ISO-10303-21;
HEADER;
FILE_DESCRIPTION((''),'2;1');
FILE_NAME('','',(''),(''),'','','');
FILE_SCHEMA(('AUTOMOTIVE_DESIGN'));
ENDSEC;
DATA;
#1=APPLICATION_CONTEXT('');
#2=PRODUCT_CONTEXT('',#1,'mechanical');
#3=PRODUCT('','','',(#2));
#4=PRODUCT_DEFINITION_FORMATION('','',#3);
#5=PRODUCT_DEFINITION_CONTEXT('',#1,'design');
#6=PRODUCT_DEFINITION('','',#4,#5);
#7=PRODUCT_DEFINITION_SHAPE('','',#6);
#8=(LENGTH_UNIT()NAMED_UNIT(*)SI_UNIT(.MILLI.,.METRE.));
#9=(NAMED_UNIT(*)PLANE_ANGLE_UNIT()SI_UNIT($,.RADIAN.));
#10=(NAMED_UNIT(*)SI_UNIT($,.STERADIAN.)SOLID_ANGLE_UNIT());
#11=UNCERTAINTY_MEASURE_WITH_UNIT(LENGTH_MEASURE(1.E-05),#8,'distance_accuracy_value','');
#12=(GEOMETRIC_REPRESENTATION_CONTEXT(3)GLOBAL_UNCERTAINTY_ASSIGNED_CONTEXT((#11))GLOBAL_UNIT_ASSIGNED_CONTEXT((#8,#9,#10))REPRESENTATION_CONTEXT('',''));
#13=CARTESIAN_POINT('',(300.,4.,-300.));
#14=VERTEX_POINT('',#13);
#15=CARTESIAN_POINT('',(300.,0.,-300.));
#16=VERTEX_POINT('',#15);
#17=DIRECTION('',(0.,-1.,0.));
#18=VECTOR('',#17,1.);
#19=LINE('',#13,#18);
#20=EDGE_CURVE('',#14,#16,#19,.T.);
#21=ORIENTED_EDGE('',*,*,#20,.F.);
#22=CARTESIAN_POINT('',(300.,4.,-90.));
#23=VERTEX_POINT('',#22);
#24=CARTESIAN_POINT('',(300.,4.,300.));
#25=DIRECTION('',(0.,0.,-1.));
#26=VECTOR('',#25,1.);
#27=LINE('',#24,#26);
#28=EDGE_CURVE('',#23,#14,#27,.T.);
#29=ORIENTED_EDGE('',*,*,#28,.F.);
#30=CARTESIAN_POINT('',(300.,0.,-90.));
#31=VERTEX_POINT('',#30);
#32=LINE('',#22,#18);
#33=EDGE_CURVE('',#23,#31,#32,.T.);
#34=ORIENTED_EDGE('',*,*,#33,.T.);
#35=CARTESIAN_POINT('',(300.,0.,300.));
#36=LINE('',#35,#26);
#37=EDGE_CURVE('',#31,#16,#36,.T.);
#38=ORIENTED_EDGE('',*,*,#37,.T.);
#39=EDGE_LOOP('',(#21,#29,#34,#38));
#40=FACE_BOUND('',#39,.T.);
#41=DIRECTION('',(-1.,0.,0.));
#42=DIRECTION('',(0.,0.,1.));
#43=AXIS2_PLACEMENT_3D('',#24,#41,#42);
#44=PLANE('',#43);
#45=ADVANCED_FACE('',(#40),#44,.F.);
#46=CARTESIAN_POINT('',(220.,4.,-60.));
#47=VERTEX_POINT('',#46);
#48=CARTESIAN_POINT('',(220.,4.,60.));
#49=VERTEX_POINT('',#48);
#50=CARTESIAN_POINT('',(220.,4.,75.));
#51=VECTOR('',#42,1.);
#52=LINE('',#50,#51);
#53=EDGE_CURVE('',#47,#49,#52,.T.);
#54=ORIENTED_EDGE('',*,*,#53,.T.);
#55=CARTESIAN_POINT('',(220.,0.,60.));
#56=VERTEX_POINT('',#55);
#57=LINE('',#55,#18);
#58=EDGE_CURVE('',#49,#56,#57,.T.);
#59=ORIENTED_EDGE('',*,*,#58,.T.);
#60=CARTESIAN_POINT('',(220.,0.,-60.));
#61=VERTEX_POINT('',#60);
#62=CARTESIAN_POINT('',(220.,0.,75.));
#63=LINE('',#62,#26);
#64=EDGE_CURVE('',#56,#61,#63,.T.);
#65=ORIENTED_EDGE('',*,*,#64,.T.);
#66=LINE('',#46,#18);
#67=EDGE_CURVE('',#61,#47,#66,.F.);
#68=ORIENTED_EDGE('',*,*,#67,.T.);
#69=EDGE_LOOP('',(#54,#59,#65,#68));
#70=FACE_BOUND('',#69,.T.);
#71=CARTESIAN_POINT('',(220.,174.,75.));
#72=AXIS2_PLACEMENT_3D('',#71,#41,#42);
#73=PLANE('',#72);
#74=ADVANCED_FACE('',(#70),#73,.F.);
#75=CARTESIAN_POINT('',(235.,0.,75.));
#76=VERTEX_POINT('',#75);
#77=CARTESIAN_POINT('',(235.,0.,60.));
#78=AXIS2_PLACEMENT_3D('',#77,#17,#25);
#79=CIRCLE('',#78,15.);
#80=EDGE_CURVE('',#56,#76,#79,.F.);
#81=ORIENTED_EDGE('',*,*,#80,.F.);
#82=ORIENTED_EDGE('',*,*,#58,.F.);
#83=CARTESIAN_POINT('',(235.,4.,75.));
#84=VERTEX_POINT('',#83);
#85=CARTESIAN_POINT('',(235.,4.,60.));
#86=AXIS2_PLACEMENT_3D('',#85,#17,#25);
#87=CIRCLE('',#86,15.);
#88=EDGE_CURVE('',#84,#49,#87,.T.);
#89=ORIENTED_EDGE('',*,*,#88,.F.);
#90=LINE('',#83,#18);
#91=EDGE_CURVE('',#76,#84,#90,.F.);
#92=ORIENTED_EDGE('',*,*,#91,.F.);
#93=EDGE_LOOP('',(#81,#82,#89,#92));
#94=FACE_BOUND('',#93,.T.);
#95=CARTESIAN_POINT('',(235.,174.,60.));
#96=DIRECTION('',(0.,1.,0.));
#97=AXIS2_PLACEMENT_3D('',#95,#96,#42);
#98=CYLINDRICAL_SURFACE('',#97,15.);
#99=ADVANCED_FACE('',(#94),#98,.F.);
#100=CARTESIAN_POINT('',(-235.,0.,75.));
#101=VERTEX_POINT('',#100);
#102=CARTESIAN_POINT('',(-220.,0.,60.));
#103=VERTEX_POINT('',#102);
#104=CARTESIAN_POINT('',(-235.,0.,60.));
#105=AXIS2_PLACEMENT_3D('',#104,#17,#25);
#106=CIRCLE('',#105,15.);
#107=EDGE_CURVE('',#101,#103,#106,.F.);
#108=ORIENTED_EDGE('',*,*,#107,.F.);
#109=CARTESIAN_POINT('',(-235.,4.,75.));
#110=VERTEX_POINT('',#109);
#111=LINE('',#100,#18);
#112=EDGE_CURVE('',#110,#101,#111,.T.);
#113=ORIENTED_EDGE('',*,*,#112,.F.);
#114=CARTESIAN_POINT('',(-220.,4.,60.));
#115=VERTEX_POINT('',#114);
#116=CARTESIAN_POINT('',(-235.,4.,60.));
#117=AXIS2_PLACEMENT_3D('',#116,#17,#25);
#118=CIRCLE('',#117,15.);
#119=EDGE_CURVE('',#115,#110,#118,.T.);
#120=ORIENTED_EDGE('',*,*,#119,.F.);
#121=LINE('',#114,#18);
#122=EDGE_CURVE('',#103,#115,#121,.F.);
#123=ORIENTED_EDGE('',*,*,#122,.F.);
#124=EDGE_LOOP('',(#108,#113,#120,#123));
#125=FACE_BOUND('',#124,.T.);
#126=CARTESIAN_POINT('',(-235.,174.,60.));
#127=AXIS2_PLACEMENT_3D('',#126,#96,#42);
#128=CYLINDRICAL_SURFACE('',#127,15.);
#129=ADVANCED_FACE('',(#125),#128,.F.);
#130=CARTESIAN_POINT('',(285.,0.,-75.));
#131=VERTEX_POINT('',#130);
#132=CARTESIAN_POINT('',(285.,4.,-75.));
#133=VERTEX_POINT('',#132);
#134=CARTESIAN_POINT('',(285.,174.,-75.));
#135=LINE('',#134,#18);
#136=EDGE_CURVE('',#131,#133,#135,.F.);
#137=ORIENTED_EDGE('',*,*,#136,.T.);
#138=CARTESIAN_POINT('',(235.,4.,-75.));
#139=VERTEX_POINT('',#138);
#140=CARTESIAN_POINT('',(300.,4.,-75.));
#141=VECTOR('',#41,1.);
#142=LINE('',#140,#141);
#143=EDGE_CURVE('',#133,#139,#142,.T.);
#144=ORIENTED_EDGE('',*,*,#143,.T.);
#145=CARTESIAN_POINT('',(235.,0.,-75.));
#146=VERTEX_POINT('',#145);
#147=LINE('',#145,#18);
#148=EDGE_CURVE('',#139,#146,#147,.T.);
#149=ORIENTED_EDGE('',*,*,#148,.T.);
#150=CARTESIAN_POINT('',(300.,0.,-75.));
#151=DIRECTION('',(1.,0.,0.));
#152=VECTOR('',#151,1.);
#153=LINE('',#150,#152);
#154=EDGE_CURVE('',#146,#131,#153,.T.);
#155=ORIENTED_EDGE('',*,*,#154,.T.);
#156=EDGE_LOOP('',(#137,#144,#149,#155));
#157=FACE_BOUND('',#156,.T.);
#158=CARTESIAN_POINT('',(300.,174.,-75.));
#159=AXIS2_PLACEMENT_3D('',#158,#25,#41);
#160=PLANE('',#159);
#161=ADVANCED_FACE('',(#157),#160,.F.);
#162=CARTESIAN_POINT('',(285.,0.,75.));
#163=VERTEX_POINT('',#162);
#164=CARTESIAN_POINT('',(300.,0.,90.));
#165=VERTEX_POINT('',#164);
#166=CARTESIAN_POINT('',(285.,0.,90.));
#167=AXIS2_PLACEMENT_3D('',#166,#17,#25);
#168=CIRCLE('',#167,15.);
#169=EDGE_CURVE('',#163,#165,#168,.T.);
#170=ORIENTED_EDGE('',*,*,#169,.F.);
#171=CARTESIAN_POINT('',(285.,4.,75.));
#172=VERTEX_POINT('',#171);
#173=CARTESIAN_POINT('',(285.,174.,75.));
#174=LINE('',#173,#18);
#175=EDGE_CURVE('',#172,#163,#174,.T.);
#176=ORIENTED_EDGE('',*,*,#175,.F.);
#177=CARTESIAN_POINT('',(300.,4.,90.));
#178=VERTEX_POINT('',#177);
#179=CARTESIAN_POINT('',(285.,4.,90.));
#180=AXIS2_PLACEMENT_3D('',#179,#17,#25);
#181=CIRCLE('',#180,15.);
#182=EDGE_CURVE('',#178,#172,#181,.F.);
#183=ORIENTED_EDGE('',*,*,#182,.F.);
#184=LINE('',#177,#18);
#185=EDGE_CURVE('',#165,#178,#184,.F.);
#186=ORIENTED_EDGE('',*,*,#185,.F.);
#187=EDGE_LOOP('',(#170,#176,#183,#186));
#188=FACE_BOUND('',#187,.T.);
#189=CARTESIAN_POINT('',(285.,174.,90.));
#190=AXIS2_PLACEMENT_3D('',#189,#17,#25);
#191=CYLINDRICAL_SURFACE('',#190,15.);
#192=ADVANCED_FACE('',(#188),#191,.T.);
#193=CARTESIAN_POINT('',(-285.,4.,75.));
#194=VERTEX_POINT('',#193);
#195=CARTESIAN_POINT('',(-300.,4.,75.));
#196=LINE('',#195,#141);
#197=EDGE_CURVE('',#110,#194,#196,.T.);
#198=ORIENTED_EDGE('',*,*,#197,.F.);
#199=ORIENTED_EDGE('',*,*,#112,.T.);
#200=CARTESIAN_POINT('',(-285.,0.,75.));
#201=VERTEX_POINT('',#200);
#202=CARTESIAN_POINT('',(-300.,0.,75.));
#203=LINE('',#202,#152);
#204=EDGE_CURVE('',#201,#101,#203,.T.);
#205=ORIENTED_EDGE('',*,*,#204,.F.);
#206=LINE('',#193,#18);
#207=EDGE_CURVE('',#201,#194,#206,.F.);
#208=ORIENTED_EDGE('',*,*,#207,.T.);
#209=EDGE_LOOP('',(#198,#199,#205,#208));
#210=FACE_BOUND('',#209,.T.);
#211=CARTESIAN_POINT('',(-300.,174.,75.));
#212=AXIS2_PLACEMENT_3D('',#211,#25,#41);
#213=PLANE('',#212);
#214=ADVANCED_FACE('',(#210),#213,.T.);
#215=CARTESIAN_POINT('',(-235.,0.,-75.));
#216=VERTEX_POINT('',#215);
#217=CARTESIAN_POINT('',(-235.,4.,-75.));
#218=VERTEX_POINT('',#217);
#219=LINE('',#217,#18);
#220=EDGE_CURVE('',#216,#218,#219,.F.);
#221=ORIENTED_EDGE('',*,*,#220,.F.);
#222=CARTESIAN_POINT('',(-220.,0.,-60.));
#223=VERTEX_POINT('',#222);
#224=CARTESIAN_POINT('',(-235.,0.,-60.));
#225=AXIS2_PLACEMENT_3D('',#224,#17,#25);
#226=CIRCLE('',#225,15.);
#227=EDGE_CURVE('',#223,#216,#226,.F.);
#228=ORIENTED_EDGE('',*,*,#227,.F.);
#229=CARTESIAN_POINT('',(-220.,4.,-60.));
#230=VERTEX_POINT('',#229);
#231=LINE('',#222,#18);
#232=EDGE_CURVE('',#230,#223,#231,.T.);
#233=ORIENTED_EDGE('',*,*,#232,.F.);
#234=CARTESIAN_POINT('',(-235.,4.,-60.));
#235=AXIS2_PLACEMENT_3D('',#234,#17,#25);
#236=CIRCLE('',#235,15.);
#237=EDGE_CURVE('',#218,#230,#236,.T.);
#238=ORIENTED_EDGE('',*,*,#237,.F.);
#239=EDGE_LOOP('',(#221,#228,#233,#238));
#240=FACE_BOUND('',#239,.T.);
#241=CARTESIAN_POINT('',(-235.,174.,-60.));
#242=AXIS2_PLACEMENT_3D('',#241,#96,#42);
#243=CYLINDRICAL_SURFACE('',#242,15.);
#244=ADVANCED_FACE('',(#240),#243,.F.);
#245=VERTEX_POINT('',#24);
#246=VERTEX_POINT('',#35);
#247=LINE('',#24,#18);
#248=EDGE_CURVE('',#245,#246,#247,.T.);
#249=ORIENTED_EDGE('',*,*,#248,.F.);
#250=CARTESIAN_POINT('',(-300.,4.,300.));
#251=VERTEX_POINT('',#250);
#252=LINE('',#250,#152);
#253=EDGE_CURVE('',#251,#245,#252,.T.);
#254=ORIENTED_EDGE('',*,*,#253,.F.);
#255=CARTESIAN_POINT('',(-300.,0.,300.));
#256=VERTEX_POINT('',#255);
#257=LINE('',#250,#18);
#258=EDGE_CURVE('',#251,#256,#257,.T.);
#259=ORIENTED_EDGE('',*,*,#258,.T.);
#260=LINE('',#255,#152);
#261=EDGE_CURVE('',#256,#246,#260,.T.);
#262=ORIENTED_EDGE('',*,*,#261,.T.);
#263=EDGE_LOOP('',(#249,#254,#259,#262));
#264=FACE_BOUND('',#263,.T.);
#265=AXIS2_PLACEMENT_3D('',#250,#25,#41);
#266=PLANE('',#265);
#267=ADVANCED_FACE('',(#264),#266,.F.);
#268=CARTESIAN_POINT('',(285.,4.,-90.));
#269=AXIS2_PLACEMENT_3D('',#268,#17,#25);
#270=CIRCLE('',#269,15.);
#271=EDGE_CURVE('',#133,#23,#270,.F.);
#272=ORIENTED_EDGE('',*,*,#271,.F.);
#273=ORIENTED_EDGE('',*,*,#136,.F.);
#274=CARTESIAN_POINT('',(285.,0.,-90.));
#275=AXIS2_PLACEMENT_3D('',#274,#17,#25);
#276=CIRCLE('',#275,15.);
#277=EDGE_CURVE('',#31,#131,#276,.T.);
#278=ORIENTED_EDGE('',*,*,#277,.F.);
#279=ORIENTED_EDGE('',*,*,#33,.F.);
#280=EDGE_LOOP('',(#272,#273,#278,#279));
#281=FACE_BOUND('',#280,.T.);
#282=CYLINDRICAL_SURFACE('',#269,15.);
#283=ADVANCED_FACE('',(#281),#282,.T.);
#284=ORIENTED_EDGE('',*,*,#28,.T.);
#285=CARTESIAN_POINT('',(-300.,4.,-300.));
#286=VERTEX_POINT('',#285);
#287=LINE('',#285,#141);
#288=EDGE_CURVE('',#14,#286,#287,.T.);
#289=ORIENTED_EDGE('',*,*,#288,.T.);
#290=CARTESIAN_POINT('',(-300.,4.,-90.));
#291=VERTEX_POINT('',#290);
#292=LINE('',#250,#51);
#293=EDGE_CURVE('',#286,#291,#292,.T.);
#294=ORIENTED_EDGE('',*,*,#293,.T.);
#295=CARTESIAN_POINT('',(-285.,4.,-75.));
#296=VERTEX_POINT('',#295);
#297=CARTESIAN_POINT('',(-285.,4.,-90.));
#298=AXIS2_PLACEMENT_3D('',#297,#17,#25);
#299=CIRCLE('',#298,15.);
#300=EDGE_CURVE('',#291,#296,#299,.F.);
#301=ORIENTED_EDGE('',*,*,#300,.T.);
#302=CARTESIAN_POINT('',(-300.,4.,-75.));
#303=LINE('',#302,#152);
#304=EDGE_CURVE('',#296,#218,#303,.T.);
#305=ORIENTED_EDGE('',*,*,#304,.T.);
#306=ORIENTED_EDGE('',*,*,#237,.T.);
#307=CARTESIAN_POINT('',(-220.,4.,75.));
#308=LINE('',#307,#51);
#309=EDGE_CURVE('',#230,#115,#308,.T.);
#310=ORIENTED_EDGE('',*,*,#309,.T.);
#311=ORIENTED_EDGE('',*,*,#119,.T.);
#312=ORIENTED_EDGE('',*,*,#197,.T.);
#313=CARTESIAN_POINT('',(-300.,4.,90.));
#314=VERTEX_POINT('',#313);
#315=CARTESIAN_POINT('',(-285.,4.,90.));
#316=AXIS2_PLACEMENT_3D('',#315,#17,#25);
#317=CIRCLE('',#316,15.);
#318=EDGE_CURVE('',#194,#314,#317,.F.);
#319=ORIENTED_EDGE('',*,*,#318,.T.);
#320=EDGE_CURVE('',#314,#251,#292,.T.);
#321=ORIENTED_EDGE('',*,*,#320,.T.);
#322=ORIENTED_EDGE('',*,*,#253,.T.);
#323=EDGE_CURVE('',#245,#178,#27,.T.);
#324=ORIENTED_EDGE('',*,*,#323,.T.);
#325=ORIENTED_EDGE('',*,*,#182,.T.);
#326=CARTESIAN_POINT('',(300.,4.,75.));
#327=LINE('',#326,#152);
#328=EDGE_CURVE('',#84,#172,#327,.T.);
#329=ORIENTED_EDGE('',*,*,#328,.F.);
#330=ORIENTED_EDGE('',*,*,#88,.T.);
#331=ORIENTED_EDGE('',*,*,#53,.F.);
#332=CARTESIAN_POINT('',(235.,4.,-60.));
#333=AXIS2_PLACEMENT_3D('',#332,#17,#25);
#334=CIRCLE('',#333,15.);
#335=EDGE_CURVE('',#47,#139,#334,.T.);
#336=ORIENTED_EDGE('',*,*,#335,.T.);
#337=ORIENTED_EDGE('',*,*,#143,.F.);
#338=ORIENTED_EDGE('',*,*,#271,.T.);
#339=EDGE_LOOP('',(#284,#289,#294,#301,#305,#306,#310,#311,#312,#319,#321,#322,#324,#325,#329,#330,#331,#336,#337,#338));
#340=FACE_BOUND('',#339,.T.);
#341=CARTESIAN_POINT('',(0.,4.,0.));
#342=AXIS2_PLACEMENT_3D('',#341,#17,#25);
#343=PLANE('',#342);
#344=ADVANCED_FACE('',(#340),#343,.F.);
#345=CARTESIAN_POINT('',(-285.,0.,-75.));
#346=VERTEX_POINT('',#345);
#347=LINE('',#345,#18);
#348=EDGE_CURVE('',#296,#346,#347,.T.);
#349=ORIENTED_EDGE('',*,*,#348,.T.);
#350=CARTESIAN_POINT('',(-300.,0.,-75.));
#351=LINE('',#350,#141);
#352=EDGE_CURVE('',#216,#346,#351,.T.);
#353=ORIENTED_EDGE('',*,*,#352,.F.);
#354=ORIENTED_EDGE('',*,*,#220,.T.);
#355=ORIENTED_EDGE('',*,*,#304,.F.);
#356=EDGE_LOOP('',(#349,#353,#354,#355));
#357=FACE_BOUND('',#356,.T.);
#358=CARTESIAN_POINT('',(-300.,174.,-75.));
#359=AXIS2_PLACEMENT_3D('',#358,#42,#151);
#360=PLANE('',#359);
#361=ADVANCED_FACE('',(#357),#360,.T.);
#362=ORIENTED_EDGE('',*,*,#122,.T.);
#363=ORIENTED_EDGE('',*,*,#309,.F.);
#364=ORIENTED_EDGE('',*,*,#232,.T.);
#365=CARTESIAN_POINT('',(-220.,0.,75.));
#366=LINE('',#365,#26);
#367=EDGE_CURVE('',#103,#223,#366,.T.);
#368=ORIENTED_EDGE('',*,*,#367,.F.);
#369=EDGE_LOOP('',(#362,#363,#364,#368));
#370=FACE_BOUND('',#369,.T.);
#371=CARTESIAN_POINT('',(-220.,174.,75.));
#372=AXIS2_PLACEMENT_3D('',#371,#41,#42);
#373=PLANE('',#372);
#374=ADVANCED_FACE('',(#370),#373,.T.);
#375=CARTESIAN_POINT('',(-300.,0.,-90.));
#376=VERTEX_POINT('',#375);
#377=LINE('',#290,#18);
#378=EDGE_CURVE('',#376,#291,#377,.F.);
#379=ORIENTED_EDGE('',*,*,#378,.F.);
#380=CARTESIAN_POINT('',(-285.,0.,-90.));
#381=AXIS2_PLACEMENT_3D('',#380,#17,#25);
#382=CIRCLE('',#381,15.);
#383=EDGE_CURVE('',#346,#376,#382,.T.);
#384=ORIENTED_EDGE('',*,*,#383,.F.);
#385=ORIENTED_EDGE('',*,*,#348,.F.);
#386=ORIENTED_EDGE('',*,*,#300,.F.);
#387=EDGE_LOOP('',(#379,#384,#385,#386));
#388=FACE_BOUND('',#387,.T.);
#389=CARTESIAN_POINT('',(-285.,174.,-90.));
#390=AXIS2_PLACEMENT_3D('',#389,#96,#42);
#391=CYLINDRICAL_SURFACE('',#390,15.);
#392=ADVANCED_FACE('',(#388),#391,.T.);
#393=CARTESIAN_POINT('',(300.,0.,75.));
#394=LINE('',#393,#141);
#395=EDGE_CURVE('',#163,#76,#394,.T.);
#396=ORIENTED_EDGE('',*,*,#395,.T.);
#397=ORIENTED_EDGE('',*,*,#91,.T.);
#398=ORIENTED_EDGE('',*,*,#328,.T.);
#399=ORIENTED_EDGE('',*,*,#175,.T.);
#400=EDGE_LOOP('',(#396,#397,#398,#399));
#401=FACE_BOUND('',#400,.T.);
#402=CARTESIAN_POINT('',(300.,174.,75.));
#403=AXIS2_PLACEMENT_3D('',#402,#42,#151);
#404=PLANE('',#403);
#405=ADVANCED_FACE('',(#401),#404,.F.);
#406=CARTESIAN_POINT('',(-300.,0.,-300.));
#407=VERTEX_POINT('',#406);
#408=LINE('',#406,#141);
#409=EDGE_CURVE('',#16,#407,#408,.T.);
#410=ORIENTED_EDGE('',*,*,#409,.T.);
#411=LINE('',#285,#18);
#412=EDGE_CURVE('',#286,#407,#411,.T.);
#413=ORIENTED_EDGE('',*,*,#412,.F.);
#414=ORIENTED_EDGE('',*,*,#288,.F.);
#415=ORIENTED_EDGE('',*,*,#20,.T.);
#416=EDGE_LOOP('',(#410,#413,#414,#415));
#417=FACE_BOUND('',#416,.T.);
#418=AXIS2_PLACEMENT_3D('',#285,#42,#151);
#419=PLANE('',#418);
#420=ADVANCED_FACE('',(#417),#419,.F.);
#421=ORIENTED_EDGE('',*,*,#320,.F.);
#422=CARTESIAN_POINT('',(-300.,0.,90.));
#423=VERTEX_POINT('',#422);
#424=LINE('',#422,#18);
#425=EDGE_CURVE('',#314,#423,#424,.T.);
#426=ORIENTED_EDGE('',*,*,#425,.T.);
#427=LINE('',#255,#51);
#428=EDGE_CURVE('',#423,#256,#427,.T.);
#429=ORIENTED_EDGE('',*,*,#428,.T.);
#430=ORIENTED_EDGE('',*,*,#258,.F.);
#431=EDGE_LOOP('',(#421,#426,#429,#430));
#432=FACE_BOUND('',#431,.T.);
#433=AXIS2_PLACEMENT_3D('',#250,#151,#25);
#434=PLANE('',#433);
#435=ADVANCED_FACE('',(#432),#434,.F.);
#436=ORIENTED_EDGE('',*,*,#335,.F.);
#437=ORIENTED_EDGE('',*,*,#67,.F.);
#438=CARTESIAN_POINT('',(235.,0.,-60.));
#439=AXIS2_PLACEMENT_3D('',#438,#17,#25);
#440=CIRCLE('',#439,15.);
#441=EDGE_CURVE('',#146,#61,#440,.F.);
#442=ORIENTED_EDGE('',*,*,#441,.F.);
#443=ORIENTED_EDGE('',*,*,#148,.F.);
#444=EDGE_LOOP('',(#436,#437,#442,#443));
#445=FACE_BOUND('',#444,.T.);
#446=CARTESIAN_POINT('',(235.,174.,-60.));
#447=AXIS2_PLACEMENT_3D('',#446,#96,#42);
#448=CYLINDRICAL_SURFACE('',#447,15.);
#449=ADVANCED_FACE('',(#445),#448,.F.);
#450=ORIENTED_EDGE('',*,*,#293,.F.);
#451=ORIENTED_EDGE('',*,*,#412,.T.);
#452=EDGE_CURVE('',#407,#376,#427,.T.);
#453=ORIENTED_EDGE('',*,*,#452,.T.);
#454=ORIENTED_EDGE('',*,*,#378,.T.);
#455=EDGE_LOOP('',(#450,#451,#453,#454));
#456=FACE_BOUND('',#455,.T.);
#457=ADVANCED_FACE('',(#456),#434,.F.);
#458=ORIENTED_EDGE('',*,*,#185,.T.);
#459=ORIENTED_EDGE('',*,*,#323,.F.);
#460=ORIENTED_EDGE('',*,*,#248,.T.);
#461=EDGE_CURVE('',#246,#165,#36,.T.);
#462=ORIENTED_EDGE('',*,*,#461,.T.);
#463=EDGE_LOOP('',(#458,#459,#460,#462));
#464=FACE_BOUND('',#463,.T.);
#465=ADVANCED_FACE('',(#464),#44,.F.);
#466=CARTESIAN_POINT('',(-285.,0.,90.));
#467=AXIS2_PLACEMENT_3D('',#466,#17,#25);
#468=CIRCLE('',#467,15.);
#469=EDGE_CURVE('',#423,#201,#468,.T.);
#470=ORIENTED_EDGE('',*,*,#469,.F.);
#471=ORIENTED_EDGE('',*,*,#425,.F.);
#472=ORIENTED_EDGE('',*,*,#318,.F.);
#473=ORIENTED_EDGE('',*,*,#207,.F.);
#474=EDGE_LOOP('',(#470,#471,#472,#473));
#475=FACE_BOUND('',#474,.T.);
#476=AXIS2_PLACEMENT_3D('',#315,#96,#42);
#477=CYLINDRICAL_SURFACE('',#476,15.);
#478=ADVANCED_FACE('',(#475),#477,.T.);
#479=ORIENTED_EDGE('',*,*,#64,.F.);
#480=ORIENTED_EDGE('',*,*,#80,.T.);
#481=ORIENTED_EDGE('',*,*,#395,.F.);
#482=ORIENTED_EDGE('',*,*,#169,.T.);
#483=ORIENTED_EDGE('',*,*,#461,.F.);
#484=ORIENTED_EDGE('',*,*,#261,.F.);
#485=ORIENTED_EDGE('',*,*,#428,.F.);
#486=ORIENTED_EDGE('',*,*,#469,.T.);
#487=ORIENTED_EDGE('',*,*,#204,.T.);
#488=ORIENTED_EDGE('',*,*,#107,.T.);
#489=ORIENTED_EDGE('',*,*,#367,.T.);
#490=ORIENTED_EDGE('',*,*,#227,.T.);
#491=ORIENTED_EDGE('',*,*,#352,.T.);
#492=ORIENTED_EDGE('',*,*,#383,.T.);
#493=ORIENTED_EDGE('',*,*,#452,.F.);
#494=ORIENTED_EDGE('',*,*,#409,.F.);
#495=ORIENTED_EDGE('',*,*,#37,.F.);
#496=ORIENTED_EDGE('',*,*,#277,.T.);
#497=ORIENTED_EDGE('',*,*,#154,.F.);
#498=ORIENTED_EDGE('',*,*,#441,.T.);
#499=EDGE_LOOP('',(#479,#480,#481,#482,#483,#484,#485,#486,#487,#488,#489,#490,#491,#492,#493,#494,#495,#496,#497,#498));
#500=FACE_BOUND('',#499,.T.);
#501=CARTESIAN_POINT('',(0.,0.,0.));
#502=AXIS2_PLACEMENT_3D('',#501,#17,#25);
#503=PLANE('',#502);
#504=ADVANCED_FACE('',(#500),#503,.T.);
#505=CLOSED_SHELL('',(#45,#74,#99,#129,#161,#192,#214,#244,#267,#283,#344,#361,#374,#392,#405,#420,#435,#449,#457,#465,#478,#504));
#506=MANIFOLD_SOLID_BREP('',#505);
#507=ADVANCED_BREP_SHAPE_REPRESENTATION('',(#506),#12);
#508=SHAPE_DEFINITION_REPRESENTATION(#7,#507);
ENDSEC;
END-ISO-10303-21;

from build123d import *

# Parameters (mm, degrees)
SKETCH_1_W          = 600
SKETCH_1_H          = 600
EXTRUDE_1_DEPTH     = 4
SKETCH_2_W          = 80
SKETCH_2_H          = 150
CUT_EXTRUDE_1_DEPTH = 4
FILLET_1_R          = 15


with BuildPart() as part:
    # 草图1 → 凸台-拉伸1 (new body)
    with BuildSketch(Plane(origin=(0, 0, 0), x_dir=(1, 0, 0), z_dir=(0, 1, 0))):
        Rectangle(SKETCH_1_W, SKETCH_1_H)
    extrude(amount=EXTRUDE_1_DEPTH)

    # 草图2 → 切除-拉伸1 (cut)
    with BuildSketch(Plane.XZ):
        with Locations((260, 0)):
            Rectangle(SKETCH_2_W, SKETCH_2_H)
    cut_extrude_1 = extrude(amount=-CUT_EXTRUDE_1_DEPTH, mode=Mode.SUBTRACT)

    # 镜向1: 切除-拉伸1 across plane
    add(cut_extrude_1.mirror(Plane(origin=(0, 0, 0), x_dir=(0, 0, 1), z_dir=(1, 0, 0))), mode=Mode.SUBTRACT)

    # 圆角1
    fillet_1_edges = [part.edges().sort_by_distance(p)[0] for p in [
        (300, 2, 75),
        (300, 2, -75),
        (220, 2, -75),
        (220, 2, 75),
        (-220, 2, -75),
        (-220, 2, 75),
        (-300, 2, 75),
        (-300, 2, -75),
    ]]
    fillet(fillet_1_edges, radius=FILLET_1_R)


solid = part.part
